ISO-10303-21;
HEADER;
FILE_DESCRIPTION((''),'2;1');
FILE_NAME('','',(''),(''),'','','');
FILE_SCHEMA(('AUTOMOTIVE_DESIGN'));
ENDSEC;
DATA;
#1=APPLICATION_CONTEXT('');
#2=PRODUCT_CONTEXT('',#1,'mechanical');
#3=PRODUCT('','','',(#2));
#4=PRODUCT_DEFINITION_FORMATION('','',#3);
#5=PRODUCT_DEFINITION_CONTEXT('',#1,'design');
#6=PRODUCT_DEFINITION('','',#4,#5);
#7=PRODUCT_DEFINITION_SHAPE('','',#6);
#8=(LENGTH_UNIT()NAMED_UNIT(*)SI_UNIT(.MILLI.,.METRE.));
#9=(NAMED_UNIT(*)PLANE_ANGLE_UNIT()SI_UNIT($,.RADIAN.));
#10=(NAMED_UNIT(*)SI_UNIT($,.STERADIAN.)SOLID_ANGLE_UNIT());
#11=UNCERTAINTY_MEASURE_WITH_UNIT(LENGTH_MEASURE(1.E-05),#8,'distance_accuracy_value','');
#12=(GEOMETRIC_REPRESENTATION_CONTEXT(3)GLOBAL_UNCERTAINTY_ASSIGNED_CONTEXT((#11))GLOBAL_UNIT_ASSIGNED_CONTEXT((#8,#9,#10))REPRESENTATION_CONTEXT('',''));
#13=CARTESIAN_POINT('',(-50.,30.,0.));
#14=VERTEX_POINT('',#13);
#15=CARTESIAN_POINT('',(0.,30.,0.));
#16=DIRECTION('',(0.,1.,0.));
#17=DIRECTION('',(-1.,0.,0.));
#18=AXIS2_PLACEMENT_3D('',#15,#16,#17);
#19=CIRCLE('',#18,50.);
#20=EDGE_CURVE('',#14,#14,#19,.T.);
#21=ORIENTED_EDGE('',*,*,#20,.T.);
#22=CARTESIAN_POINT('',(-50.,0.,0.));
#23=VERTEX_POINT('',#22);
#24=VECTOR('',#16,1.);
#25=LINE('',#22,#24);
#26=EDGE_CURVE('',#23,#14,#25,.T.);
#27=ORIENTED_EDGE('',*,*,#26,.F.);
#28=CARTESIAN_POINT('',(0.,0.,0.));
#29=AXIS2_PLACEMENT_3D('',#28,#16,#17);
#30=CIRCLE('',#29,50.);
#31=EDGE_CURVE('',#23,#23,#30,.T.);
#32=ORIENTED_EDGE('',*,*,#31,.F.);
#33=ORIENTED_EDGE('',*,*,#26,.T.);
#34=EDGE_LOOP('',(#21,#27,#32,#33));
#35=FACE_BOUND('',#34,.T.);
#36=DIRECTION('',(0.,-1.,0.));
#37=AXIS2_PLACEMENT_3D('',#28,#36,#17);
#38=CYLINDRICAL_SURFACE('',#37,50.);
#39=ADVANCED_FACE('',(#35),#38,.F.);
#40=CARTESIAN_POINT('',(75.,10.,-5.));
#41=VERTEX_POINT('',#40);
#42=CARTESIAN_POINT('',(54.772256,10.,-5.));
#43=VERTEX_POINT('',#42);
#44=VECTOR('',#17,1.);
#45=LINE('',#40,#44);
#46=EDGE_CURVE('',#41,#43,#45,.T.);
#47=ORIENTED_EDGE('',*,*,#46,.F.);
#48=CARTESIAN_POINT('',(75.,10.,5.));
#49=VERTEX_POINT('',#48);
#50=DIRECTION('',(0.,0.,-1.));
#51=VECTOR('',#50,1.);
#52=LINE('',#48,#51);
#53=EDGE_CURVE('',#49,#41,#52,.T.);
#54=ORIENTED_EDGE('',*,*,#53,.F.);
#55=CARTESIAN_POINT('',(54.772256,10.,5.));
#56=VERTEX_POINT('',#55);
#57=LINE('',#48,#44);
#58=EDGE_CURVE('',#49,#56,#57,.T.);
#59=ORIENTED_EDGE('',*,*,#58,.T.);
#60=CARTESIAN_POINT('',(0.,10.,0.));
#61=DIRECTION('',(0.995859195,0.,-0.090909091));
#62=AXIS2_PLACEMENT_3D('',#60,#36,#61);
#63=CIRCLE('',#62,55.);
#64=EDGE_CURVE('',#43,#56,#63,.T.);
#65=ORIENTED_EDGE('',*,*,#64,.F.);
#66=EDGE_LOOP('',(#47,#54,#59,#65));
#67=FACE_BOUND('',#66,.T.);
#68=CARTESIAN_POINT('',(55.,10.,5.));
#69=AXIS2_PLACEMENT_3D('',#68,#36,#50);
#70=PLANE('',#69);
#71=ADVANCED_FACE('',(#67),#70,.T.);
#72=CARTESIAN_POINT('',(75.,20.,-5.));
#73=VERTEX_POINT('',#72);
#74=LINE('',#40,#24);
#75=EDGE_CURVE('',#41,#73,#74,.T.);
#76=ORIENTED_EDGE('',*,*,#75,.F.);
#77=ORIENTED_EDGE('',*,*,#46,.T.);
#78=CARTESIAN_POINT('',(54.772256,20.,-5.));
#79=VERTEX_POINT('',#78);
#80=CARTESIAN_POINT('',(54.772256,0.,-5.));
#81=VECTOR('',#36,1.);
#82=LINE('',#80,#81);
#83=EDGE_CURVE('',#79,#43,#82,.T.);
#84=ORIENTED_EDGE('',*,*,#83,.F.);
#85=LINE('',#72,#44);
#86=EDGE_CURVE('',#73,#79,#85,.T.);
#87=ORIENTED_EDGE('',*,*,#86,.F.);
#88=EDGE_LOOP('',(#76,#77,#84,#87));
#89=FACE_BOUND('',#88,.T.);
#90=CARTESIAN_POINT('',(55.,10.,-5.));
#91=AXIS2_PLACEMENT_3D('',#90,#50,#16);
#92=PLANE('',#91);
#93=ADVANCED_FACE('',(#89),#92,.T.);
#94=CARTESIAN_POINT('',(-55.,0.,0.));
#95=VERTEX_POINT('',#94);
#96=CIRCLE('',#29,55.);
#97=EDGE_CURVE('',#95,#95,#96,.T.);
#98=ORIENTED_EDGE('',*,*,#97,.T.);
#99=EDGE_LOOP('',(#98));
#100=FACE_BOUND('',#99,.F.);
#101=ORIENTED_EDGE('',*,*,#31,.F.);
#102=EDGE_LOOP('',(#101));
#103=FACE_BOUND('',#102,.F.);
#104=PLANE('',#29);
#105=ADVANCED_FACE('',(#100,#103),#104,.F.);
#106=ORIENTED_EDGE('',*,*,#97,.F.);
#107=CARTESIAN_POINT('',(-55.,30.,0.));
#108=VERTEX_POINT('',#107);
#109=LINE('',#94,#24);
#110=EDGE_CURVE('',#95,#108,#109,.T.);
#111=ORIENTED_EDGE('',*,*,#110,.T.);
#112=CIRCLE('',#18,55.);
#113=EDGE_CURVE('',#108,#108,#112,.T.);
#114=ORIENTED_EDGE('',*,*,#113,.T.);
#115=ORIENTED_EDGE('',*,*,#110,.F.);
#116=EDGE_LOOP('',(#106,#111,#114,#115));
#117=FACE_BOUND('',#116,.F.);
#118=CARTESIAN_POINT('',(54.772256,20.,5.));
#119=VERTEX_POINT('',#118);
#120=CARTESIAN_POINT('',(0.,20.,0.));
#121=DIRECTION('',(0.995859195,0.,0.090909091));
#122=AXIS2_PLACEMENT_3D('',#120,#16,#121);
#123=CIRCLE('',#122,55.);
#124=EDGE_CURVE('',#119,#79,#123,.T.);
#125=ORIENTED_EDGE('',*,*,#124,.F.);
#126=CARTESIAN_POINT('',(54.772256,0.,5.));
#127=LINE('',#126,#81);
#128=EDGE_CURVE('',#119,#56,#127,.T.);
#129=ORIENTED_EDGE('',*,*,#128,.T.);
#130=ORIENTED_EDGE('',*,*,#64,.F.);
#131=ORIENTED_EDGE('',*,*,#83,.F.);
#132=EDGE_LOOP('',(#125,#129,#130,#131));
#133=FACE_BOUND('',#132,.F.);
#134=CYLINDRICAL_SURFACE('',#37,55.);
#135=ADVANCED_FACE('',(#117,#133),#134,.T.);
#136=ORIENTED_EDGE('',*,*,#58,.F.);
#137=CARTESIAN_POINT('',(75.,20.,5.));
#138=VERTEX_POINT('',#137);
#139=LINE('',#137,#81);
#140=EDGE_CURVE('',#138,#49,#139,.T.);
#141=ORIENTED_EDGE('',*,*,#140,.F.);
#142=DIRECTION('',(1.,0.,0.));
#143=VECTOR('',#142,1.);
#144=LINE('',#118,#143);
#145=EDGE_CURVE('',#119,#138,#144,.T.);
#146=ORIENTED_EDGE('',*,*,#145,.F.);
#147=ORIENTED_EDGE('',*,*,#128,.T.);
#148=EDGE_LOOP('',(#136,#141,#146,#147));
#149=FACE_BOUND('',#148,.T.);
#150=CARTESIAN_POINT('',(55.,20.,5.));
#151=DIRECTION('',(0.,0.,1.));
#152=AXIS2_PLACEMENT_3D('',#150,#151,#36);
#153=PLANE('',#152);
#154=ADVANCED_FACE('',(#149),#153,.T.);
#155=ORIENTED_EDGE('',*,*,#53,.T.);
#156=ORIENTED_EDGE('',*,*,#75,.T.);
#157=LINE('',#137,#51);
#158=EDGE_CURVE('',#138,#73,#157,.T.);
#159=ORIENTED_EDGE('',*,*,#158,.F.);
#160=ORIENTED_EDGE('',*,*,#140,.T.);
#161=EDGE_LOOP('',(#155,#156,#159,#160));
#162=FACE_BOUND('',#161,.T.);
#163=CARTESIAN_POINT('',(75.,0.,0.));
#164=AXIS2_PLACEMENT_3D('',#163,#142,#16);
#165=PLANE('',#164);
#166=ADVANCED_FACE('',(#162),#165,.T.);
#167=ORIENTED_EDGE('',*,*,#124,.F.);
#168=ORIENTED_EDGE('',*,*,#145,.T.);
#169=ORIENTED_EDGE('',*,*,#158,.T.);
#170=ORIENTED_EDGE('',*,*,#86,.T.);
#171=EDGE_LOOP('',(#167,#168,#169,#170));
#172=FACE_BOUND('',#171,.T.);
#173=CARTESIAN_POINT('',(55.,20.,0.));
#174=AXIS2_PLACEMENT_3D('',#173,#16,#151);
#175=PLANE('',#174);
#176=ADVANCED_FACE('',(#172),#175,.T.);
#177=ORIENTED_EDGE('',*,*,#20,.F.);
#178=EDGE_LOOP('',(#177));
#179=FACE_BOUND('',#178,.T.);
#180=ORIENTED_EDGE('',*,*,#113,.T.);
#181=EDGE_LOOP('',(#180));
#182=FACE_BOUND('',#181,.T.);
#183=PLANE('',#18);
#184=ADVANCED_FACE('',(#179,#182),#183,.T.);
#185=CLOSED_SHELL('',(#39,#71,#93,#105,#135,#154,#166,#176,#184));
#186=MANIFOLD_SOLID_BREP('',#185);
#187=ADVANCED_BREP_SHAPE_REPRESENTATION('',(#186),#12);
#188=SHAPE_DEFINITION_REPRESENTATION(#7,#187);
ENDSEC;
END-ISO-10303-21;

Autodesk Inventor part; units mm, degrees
ref_plane "XZ Plane" through (0, 0, 0) normal (0, 1, 0) x (-1, 0, 0)
sketch "Sketch1" plane through (0, 0, 0) normal (0, 1, 0) x (-1, 0, 0)
  circle A0 centre (0, 0) radius 55
  circle A1 centre (0, 0) radius 50
  dimension "d0" = 110
  dimension "d1" = 100
extrude "Extrusion1" add sketch "Sketch1" along normal blind 30
ref_plane "Work Plane1" through (55, 0, 0) normal (1, 0, 0) x (0, 1, 0)
sketch "Sketch2" plane through (55, 0, 0) normal (1, 0, 0) x (0, 1, 0)
  line L0 (20, 5) -> (10, 5)
  line L1 (10, 5) -> (10, -5)
  line L2 (10, -5) -> (20, -5)
  line L3 (20, -5) -> (20, 5)
  line L4 (30, -55) -> (30, 55) projected
  line L5 (-6, 0) -> (36, 0) projected
  point P0 (0, 0)
  dimension "d5" = 10
  dimension "d6" = 10
  dimension "d7" = 10
  dimension "d8" = 5
extrude "Extrusion2" add sketch "Sketch2" along normal blind 20
extrude "Extrusion3" add sketch "Sketch2" against normal blind 5
properties part number "rim"
